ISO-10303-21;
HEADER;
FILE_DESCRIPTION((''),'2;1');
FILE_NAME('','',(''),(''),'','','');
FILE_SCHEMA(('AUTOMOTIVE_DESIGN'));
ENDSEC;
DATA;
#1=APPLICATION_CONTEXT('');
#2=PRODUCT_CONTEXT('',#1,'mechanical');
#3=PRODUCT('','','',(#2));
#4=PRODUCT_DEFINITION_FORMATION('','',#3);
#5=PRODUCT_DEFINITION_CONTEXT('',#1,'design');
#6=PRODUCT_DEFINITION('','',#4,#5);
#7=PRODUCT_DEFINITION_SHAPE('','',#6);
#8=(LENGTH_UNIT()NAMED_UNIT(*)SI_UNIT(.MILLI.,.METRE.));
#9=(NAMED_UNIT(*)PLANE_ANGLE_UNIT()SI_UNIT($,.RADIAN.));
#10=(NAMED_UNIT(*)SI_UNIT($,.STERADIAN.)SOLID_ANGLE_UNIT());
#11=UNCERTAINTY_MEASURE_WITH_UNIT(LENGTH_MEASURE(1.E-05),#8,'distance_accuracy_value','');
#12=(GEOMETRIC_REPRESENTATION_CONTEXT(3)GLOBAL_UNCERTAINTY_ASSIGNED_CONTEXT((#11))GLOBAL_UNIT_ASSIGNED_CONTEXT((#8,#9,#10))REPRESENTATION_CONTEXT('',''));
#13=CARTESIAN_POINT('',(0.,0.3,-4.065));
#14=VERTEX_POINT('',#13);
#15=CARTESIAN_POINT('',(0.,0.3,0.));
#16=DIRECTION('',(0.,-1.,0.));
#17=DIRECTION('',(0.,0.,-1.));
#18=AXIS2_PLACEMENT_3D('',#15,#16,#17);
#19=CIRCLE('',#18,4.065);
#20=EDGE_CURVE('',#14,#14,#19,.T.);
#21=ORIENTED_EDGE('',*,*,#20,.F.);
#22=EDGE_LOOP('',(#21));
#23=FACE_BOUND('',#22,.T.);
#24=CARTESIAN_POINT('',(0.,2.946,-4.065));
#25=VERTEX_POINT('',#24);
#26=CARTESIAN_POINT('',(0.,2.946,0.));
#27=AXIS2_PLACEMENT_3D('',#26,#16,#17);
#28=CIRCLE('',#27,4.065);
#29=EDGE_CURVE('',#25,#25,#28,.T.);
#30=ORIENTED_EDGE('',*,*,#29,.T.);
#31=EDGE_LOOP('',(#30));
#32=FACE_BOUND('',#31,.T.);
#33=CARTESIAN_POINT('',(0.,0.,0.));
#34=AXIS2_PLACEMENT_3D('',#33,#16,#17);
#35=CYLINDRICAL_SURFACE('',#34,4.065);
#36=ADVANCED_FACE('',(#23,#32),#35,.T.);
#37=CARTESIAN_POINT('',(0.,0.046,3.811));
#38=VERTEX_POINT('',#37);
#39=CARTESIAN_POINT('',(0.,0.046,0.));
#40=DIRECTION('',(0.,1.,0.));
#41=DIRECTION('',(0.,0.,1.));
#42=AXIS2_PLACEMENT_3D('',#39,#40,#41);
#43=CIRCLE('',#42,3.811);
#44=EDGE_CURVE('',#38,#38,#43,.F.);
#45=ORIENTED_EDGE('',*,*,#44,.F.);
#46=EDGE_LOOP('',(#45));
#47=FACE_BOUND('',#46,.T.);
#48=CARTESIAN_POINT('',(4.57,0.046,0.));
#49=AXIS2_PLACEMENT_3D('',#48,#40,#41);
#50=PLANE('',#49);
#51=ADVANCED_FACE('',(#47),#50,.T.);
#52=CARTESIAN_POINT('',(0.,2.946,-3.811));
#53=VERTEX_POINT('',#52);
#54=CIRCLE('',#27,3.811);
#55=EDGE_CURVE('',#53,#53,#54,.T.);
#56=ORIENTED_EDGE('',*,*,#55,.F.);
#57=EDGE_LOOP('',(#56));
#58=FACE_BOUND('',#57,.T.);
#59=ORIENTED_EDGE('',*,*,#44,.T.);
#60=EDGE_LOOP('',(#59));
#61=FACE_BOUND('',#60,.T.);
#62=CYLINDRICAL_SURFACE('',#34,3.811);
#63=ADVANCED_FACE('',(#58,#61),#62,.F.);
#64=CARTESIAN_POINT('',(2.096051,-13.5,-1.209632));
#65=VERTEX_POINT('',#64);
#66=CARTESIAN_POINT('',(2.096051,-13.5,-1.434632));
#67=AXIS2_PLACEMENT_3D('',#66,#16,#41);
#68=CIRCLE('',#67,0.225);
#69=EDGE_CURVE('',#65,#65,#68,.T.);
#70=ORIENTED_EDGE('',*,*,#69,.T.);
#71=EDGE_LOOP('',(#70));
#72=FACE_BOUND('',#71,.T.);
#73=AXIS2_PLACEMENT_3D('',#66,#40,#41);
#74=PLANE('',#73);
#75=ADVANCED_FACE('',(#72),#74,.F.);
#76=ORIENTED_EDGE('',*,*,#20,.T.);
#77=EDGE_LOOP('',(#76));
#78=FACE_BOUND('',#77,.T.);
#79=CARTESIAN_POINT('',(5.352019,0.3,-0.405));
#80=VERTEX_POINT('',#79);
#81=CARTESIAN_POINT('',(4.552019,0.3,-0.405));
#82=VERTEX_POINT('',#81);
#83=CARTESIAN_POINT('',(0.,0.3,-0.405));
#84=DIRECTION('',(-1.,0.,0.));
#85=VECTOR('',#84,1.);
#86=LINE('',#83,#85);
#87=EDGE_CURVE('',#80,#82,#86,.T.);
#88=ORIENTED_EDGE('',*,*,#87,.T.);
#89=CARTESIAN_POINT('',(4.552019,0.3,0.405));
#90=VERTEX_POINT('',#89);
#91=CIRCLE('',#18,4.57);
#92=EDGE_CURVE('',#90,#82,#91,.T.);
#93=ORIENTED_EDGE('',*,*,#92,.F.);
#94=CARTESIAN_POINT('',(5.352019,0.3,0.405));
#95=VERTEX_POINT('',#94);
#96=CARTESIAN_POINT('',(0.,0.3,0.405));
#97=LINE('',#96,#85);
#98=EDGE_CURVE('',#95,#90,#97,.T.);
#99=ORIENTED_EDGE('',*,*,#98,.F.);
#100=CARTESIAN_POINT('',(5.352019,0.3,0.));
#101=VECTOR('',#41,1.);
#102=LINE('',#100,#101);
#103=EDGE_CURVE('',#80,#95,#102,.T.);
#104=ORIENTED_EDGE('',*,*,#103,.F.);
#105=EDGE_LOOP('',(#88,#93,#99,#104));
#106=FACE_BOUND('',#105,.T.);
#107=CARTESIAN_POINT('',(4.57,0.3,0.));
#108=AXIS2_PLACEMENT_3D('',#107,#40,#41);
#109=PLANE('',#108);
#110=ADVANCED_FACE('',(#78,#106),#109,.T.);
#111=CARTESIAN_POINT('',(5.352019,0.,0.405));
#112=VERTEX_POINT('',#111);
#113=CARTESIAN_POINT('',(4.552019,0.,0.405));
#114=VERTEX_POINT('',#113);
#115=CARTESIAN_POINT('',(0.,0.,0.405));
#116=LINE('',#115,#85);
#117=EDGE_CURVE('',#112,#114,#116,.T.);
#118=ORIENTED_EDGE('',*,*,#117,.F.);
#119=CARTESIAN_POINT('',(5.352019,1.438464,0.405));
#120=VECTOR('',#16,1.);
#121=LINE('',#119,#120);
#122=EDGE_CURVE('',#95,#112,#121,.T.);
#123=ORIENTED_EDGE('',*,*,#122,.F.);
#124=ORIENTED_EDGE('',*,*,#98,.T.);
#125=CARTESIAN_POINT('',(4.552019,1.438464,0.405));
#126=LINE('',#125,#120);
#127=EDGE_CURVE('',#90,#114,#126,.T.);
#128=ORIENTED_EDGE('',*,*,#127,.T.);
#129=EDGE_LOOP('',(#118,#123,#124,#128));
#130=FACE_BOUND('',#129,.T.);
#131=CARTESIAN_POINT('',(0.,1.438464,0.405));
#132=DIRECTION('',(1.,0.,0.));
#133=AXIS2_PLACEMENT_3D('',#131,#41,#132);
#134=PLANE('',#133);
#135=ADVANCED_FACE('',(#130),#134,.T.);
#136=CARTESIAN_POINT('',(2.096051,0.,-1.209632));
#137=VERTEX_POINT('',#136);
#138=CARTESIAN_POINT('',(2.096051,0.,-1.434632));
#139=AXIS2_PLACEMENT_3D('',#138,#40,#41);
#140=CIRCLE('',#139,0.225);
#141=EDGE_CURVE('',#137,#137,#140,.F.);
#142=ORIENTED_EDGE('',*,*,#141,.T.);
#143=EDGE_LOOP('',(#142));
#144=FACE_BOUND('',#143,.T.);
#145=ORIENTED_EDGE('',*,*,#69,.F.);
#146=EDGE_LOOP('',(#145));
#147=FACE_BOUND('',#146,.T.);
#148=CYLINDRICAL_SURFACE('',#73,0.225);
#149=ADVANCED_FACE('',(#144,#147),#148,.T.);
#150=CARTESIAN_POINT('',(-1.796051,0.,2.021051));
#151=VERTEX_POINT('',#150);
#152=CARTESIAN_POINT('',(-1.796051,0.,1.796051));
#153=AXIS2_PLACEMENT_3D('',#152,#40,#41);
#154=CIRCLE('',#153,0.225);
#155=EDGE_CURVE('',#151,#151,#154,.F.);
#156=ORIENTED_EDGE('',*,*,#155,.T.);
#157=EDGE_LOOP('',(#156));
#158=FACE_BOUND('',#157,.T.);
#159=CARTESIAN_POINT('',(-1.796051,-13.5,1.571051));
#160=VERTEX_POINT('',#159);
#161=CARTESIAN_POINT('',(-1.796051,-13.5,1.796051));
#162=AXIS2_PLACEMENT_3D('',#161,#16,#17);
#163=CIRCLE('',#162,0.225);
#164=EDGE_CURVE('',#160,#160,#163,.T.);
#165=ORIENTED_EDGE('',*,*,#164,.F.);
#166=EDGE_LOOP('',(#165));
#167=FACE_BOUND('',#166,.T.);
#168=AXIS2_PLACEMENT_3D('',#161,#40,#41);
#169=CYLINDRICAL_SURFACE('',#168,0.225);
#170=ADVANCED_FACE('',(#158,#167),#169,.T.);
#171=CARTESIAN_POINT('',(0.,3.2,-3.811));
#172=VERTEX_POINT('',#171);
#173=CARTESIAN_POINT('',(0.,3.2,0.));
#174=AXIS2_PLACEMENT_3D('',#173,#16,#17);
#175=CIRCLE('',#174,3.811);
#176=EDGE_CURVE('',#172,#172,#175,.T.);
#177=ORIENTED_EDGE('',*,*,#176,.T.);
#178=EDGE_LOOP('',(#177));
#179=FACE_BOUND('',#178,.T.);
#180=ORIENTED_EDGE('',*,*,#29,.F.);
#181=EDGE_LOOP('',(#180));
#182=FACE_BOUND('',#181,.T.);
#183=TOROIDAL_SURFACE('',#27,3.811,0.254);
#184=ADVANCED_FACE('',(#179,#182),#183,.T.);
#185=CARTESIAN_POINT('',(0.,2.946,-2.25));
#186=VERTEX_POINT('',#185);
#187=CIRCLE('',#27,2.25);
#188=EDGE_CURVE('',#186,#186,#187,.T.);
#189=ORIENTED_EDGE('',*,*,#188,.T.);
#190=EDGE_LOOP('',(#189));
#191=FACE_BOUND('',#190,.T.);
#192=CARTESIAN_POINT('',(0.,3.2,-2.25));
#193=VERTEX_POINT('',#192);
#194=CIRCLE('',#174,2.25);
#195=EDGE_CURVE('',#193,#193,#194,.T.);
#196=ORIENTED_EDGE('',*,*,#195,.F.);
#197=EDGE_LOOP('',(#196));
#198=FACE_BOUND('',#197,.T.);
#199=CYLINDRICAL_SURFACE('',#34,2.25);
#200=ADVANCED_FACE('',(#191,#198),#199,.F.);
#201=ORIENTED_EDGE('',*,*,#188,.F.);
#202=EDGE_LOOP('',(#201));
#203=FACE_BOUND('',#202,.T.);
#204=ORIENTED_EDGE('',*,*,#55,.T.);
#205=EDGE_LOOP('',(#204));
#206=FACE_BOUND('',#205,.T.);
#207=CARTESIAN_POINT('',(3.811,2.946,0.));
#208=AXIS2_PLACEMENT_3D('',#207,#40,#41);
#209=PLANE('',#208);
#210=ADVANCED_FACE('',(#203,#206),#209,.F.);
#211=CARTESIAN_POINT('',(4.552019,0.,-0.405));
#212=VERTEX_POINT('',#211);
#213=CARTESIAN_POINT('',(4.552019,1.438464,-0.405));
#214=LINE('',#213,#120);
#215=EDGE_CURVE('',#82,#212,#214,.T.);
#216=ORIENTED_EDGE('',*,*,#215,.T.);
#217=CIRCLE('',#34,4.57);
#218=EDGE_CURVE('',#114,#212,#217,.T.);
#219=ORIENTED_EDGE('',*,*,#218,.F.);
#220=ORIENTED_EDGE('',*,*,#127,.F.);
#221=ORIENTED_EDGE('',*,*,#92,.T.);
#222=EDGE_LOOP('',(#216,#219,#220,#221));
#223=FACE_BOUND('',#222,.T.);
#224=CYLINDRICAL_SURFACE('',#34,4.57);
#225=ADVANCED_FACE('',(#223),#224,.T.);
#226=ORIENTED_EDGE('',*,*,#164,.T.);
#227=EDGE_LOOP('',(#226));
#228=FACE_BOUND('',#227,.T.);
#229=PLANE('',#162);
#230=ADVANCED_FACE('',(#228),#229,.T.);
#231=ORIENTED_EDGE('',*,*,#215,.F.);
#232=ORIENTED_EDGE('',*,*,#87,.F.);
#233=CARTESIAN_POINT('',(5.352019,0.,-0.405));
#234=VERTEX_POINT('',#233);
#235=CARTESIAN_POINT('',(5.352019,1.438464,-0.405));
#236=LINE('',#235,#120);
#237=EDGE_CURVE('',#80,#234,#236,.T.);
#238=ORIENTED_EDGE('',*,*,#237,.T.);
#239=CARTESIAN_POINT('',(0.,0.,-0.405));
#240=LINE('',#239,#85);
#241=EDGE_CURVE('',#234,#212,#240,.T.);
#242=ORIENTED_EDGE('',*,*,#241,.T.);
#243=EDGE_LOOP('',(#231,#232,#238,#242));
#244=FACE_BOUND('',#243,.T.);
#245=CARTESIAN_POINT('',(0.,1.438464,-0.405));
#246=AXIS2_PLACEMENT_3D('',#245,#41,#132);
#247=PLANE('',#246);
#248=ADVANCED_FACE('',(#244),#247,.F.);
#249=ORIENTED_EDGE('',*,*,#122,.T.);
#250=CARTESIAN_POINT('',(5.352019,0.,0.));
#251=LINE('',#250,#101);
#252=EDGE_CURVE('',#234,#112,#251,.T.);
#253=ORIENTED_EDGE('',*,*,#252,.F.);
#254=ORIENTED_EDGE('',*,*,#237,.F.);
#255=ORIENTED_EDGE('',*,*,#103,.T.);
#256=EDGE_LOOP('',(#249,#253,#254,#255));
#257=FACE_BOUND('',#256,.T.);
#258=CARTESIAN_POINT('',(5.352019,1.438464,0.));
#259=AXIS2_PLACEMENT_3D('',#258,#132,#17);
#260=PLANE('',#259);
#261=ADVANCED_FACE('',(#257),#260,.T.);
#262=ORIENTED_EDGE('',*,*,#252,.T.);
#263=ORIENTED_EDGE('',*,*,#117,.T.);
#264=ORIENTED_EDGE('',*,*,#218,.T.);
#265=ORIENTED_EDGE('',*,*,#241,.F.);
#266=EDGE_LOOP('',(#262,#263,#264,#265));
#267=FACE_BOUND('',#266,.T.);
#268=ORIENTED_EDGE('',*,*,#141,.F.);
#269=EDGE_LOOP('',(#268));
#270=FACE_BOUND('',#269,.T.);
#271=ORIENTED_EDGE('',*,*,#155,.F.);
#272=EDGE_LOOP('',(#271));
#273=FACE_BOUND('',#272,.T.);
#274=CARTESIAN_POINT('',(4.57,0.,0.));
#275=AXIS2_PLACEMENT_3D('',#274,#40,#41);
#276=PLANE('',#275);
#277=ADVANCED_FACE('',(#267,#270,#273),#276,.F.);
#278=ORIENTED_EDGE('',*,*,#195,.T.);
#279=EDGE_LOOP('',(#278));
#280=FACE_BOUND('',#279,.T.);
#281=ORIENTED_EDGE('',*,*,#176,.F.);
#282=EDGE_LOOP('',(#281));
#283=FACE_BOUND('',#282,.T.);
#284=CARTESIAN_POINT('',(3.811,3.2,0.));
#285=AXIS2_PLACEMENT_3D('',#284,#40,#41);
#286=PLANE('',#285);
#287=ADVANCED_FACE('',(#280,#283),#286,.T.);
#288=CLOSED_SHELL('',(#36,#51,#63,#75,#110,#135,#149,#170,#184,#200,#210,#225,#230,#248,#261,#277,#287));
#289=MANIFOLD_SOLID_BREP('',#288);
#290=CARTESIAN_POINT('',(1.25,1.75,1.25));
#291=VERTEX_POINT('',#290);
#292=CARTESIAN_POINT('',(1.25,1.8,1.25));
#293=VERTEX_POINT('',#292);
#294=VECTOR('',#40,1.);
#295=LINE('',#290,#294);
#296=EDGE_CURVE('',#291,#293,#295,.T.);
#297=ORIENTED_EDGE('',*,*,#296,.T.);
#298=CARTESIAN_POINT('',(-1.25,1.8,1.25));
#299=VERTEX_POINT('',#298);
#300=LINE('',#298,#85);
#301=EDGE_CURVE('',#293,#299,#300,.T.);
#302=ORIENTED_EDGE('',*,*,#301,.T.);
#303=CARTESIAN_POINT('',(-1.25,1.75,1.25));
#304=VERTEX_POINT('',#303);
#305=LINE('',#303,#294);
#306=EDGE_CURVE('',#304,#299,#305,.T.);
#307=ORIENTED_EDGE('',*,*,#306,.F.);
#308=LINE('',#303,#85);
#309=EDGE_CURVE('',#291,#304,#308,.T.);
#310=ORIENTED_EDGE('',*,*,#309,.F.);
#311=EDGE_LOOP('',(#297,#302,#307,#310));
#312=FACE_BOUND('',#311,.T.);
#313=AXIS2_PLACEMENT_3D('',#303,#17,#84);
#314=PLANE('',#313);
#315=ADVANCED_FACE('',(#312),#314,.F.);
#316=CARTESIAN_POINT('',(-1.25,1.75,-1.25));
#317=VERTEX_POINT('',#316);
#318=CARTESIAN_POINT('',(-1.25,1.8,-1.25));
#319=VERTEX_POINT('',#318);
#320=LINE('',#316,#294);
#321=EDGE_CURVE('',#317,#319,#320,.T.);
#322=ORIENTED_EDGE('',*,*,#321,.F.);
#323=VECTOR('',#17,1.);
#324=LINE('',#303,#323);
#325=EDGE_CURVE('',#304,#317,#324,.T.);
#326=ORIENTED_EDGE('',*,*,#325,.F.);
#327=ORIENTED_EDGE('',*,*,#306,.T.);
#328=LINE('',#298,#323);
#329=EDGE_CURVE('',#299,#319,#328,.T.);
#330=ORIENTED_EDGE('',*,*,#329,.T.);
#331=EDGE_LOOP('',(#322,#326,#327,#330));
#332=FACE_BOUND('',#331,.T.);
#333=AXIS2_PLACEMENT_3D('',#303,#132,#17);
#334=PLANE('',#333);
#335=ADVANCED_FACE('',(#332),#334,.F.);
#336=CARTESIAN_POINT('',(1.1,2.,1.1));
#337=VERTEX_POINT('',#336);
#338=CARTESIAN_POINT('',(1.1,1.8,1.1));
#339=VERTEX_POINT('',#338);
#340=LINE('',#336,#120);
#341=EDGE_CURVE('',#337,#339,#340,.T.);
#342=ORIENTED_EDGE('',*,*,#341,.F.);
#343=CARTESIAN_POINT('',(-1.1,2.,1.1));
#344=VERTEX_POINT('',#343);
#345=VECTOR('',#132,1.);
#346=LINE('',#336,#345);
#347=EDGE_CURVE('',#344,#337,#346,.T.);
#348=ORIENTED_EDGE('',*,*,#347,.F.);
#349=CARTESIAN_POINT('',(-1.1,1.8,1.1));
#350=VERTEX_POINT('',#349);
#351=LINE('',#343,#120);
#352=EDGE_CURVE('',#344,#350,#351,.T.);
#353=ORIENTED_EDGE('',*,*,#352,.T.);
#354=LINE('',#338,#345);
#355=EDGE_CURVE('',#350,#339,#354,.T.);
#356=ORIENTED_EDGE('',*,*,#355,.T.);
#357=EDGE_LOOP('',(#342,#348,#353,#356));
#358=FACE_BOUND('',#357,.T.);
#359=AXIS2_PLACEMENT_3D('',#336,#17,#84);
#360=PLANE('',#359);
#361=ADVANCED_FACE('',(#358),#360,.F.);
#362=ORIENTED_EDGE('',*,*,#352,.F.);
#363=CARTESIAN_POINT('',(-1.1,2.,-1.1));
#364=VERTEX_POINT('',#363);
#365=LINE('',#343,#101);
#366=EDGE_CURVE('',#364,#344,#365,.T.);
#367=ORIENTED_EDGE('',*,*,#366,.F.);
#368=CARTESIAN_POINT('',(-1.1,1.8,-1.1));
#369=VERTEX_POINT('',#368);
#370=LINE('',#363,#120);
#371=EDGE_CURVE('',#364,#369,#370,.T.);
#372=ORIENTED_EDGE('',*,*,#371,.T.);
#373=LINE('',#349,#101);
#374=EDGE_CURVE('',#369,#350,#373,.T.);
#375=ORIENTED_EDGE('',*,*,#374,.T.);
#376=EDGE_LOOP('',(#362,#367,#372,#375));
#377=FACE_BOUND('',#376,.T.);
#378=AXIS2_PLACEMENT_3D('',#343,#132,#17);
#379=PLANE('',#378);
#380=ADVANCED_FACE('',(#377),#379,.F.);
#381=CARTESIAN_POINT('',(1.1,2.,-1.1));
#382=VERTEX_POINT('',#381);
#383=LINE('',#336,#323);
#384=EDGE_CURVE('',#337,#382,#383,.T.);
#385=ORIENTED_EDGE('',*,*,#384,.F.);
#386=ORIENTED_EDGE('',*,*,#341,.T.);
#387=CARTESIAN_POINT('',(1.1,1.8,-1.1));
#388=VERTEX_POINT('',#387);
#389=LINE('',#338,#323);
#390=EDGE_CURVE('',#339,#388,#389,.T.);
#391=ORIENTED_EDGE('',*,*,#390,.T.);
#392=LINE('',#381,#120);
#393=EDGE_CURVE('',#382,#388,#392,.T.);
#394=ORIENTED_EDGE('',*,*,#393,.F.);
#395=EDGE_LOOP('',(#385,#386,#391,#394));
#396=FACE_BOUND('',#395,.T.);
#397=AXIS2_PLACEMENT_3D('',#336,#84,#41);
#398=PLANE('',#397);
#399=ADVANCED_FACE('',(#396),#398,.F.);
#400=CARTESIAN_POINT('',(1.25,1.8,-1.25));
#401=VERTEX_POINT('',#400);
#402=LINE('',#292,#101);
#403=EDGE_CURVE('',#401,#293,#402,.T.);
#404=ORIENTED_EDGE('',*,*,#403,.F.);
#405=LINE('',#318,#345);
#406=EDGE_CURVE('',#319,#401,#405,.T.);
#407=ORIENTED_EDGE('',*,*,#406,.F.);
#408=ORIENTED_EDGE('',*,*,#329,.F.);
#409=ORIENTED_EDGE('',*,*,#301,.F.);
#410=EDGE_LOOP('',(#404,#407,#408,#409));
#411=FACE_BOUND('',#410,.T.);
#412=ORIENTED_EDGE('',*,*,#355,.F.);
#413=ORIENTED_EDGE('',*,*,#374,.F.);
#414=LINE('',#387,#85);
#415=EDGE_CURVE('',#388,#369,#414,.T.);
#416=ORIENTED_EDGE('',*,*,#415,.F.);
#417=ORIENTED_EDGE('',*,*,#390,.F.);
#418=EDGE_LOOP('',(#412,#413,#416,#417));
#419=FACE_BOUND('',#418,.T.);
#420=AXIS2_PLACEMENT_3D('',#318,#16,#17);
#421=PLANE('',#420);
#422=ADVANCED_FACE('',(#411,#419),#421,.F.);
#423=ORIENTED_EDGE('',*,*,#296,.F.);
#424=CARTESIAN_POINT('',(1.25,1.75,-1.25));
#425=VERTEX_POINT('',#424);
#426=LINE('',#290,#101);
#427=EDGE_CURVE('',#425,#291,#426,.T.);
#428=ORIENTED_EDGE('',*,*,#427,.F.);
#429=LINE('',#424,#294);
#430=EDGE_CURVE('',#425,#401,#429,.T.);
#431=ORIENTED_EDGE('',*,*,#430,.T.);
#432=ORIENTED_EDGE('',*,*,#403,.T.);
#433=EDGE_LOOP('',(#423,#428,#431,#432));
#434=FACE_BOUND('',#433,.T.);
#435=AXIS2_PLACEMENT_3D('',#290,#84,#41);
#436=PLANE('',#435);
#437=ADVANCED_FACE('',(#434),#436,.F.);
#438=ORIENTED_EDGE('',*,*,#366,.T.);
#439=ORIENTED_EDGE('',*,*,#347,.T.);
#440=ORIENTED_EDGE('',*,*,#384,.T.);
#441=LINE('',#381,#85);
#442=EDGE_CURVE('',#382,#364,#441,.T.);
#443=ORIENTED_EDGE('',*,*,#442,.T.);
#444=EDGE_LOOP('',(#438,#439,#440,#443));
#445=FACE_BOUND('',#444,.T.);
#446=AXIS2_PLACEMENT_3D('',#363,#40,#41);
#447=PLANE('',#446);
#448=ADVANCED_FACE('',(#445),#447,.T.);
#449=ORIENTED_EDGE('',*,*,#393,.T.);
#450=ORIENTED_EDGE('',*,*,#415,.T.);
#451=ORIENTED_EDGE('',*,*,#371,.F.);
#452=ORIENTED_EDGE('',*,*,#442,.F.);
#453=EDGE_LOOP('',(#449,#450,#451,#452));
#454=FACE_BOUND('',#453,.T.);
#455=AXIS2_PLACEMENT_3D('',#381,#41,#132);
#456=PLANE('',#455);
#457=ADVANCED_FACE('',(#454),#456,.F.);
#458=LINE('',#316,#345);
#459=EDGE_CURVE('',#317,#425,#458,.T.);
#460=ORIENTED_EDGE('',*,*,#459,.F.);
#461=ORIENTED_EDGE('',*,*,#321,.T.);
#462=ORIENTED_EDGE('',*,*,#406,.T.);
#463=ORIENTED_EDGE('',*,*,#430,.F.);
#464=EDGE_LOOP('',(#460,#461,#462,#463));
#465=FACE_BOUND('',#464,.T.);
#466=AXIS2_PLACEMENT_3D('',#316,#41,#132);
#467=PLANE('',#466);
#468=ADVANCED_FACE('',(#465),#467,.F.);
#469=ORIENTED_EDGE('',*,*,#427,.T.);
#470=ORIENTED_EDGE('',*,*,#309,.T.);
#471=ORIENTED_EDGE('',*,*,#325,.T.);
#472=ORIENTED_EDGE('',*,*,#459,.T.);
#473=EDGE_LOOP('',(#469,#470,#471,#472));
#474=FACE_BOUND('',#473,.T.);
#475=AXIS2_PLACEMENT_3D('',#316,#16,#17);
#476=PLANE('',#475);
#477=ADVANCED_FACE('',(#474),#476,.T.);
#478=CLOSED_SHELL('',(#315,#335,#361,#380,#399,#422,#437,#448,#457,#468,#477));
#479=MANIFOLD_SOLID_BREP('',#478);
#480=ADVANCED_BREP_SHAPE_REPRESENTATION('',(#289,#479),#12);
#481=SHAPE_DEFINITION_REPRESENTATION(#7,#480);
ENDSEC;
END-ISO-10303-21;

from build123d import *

# Parameters (mm, degrees)
SKETCH2_R           = 4.57
BOSS_EXTRUDE1_DEPTH = 0.046
BOSS_EXTRUDE2_START = -1.8
SKETCH3_W           = 2.5
SKETCH3_H           = 2.5
BOSS_EXTRUDE2_DEPTH = 0.05
SKETCH8_W           = 2.2
SKETCH8_H           = 2.2
BOSS_EXTRUDE6_DEPTH = 0.2
BOSS_EXTRUDE8_DEPTH = 0.3
SKETCH5_R           = 0.225
BOSS_EXTRUDE4_DEPTH = 13.5


with BuildPart() as part:
    # Sketch1 → Revolve-Thin2 (revolve)
    with BuildSketch(Plane.XY, mode=Mode.PRIVATE) as revolve_thin2_sk:
        with BuildLine():
            Line((4.57, 0), (4.57, 0.3))
            Line((4.57, 0.3), (4.065, 0.3))
            Line((4.065, 0.3), (4.065, 2.946))
            ThreePointArc((4.065, 2.946), (3.990605122, 3.125605122), (3.811, 3.2))
            Line((3.811, 3.2), (2.25, 3.2))
            Line((2.25, 3.2), (2.25, 2.946))
            Line((2.25, 2.946), (3.811, 2.946))
            Line((3.811, 2.946), (3.811, 0.046))
            Line((3.811, 0.046), (4.316, 0.046))
            Line((4.316, 0.046), (4.316, 0))
            Line((4.316, 0), (4.57, 0))
        make_face()
    revolve(revolve_thin2_sk.sketch.rotate(Axis((0, 0, 0), (0, 1, 0)), 90), axis=Axis((0, 0, 0), (0, 1, 0)))  # turned: the seam where the file's is

    # Sketch2 → Boss-Extrude1 (add)
    with BuildSketch(Plane.XZ):
        with Locations(Location((0, 0, 0), (0, 0, 270))):  # turned: the seam where the file's is
            Circle(SKETCH2_R)
    extrude(amount=-BOSS_EXTRUDE1_DEPTH)

    # Sketch11 → Boss-Extrude8 (add)
    with BuildSketch(Plane.XZ):
        with BuildLine():
            Line((5.352018783, -0.405), (5.352018783, 0))
            Line((5.352018783, 0), (5.352018783, 0.405))
            Line((5.352018783, 0.405), (4.552018783, 0.405))
            ThreePointArc((4.552018783, 0.405), (4.565502483, 0.202699485), (4.57, 0))
            ThreePointArc((4.57, 0), (4.565502483, -0.202699485), (4.552018783, -0.405))
            Line((4.552018783, -0.405), (5.352018783, -0.405))
        make_face()
    extrude(amount=-BOSS_EXTRUDE8_DEPTH)

    # Sketch5 → Boss-Extrude4 (add)
    with BuildSketch(Plane.XZ):
        with Locations(Location((2.096051224, -1.434632101, 0), (0, 0, 90))):  # turned: the seam where the file's is
            Circle(SKETCH5_R)
        with Locations(Location((-1.796051224, 1.796051224, 0), (0, 0, 90))):  # turned: the seam where the file's is
            Circle(SKETCH5_R)
    extrude(amount=BOSS_EXTRUDE4_DEPTH)


with BuildPart() as body_2:
    # Sketch3 → Boss-Extrude2 (new body)
    with BuildSketch(Plane.XZ.offset(BOSS_EXTRUDE2_START)):
        Rectangle(SKETCH3_W, SKETCH3_H)
    extrude(amount=BOSS_EXTRUDE2_DEPTH)

    # Sketch8 → Boss-Extrude6 (add)
    with BuildSketch(Plane(origin=(0, 1.8, 0), x_dir=(-1, 0, 0), z_dir=(0, 1, 0))):
        Rectangle(SKETCH8_W, SKETCH8_H)
    extrude(amount=BOSS_EXTRUDE6_DEPTH)


solid = Compound([part.part, body_2.part])
